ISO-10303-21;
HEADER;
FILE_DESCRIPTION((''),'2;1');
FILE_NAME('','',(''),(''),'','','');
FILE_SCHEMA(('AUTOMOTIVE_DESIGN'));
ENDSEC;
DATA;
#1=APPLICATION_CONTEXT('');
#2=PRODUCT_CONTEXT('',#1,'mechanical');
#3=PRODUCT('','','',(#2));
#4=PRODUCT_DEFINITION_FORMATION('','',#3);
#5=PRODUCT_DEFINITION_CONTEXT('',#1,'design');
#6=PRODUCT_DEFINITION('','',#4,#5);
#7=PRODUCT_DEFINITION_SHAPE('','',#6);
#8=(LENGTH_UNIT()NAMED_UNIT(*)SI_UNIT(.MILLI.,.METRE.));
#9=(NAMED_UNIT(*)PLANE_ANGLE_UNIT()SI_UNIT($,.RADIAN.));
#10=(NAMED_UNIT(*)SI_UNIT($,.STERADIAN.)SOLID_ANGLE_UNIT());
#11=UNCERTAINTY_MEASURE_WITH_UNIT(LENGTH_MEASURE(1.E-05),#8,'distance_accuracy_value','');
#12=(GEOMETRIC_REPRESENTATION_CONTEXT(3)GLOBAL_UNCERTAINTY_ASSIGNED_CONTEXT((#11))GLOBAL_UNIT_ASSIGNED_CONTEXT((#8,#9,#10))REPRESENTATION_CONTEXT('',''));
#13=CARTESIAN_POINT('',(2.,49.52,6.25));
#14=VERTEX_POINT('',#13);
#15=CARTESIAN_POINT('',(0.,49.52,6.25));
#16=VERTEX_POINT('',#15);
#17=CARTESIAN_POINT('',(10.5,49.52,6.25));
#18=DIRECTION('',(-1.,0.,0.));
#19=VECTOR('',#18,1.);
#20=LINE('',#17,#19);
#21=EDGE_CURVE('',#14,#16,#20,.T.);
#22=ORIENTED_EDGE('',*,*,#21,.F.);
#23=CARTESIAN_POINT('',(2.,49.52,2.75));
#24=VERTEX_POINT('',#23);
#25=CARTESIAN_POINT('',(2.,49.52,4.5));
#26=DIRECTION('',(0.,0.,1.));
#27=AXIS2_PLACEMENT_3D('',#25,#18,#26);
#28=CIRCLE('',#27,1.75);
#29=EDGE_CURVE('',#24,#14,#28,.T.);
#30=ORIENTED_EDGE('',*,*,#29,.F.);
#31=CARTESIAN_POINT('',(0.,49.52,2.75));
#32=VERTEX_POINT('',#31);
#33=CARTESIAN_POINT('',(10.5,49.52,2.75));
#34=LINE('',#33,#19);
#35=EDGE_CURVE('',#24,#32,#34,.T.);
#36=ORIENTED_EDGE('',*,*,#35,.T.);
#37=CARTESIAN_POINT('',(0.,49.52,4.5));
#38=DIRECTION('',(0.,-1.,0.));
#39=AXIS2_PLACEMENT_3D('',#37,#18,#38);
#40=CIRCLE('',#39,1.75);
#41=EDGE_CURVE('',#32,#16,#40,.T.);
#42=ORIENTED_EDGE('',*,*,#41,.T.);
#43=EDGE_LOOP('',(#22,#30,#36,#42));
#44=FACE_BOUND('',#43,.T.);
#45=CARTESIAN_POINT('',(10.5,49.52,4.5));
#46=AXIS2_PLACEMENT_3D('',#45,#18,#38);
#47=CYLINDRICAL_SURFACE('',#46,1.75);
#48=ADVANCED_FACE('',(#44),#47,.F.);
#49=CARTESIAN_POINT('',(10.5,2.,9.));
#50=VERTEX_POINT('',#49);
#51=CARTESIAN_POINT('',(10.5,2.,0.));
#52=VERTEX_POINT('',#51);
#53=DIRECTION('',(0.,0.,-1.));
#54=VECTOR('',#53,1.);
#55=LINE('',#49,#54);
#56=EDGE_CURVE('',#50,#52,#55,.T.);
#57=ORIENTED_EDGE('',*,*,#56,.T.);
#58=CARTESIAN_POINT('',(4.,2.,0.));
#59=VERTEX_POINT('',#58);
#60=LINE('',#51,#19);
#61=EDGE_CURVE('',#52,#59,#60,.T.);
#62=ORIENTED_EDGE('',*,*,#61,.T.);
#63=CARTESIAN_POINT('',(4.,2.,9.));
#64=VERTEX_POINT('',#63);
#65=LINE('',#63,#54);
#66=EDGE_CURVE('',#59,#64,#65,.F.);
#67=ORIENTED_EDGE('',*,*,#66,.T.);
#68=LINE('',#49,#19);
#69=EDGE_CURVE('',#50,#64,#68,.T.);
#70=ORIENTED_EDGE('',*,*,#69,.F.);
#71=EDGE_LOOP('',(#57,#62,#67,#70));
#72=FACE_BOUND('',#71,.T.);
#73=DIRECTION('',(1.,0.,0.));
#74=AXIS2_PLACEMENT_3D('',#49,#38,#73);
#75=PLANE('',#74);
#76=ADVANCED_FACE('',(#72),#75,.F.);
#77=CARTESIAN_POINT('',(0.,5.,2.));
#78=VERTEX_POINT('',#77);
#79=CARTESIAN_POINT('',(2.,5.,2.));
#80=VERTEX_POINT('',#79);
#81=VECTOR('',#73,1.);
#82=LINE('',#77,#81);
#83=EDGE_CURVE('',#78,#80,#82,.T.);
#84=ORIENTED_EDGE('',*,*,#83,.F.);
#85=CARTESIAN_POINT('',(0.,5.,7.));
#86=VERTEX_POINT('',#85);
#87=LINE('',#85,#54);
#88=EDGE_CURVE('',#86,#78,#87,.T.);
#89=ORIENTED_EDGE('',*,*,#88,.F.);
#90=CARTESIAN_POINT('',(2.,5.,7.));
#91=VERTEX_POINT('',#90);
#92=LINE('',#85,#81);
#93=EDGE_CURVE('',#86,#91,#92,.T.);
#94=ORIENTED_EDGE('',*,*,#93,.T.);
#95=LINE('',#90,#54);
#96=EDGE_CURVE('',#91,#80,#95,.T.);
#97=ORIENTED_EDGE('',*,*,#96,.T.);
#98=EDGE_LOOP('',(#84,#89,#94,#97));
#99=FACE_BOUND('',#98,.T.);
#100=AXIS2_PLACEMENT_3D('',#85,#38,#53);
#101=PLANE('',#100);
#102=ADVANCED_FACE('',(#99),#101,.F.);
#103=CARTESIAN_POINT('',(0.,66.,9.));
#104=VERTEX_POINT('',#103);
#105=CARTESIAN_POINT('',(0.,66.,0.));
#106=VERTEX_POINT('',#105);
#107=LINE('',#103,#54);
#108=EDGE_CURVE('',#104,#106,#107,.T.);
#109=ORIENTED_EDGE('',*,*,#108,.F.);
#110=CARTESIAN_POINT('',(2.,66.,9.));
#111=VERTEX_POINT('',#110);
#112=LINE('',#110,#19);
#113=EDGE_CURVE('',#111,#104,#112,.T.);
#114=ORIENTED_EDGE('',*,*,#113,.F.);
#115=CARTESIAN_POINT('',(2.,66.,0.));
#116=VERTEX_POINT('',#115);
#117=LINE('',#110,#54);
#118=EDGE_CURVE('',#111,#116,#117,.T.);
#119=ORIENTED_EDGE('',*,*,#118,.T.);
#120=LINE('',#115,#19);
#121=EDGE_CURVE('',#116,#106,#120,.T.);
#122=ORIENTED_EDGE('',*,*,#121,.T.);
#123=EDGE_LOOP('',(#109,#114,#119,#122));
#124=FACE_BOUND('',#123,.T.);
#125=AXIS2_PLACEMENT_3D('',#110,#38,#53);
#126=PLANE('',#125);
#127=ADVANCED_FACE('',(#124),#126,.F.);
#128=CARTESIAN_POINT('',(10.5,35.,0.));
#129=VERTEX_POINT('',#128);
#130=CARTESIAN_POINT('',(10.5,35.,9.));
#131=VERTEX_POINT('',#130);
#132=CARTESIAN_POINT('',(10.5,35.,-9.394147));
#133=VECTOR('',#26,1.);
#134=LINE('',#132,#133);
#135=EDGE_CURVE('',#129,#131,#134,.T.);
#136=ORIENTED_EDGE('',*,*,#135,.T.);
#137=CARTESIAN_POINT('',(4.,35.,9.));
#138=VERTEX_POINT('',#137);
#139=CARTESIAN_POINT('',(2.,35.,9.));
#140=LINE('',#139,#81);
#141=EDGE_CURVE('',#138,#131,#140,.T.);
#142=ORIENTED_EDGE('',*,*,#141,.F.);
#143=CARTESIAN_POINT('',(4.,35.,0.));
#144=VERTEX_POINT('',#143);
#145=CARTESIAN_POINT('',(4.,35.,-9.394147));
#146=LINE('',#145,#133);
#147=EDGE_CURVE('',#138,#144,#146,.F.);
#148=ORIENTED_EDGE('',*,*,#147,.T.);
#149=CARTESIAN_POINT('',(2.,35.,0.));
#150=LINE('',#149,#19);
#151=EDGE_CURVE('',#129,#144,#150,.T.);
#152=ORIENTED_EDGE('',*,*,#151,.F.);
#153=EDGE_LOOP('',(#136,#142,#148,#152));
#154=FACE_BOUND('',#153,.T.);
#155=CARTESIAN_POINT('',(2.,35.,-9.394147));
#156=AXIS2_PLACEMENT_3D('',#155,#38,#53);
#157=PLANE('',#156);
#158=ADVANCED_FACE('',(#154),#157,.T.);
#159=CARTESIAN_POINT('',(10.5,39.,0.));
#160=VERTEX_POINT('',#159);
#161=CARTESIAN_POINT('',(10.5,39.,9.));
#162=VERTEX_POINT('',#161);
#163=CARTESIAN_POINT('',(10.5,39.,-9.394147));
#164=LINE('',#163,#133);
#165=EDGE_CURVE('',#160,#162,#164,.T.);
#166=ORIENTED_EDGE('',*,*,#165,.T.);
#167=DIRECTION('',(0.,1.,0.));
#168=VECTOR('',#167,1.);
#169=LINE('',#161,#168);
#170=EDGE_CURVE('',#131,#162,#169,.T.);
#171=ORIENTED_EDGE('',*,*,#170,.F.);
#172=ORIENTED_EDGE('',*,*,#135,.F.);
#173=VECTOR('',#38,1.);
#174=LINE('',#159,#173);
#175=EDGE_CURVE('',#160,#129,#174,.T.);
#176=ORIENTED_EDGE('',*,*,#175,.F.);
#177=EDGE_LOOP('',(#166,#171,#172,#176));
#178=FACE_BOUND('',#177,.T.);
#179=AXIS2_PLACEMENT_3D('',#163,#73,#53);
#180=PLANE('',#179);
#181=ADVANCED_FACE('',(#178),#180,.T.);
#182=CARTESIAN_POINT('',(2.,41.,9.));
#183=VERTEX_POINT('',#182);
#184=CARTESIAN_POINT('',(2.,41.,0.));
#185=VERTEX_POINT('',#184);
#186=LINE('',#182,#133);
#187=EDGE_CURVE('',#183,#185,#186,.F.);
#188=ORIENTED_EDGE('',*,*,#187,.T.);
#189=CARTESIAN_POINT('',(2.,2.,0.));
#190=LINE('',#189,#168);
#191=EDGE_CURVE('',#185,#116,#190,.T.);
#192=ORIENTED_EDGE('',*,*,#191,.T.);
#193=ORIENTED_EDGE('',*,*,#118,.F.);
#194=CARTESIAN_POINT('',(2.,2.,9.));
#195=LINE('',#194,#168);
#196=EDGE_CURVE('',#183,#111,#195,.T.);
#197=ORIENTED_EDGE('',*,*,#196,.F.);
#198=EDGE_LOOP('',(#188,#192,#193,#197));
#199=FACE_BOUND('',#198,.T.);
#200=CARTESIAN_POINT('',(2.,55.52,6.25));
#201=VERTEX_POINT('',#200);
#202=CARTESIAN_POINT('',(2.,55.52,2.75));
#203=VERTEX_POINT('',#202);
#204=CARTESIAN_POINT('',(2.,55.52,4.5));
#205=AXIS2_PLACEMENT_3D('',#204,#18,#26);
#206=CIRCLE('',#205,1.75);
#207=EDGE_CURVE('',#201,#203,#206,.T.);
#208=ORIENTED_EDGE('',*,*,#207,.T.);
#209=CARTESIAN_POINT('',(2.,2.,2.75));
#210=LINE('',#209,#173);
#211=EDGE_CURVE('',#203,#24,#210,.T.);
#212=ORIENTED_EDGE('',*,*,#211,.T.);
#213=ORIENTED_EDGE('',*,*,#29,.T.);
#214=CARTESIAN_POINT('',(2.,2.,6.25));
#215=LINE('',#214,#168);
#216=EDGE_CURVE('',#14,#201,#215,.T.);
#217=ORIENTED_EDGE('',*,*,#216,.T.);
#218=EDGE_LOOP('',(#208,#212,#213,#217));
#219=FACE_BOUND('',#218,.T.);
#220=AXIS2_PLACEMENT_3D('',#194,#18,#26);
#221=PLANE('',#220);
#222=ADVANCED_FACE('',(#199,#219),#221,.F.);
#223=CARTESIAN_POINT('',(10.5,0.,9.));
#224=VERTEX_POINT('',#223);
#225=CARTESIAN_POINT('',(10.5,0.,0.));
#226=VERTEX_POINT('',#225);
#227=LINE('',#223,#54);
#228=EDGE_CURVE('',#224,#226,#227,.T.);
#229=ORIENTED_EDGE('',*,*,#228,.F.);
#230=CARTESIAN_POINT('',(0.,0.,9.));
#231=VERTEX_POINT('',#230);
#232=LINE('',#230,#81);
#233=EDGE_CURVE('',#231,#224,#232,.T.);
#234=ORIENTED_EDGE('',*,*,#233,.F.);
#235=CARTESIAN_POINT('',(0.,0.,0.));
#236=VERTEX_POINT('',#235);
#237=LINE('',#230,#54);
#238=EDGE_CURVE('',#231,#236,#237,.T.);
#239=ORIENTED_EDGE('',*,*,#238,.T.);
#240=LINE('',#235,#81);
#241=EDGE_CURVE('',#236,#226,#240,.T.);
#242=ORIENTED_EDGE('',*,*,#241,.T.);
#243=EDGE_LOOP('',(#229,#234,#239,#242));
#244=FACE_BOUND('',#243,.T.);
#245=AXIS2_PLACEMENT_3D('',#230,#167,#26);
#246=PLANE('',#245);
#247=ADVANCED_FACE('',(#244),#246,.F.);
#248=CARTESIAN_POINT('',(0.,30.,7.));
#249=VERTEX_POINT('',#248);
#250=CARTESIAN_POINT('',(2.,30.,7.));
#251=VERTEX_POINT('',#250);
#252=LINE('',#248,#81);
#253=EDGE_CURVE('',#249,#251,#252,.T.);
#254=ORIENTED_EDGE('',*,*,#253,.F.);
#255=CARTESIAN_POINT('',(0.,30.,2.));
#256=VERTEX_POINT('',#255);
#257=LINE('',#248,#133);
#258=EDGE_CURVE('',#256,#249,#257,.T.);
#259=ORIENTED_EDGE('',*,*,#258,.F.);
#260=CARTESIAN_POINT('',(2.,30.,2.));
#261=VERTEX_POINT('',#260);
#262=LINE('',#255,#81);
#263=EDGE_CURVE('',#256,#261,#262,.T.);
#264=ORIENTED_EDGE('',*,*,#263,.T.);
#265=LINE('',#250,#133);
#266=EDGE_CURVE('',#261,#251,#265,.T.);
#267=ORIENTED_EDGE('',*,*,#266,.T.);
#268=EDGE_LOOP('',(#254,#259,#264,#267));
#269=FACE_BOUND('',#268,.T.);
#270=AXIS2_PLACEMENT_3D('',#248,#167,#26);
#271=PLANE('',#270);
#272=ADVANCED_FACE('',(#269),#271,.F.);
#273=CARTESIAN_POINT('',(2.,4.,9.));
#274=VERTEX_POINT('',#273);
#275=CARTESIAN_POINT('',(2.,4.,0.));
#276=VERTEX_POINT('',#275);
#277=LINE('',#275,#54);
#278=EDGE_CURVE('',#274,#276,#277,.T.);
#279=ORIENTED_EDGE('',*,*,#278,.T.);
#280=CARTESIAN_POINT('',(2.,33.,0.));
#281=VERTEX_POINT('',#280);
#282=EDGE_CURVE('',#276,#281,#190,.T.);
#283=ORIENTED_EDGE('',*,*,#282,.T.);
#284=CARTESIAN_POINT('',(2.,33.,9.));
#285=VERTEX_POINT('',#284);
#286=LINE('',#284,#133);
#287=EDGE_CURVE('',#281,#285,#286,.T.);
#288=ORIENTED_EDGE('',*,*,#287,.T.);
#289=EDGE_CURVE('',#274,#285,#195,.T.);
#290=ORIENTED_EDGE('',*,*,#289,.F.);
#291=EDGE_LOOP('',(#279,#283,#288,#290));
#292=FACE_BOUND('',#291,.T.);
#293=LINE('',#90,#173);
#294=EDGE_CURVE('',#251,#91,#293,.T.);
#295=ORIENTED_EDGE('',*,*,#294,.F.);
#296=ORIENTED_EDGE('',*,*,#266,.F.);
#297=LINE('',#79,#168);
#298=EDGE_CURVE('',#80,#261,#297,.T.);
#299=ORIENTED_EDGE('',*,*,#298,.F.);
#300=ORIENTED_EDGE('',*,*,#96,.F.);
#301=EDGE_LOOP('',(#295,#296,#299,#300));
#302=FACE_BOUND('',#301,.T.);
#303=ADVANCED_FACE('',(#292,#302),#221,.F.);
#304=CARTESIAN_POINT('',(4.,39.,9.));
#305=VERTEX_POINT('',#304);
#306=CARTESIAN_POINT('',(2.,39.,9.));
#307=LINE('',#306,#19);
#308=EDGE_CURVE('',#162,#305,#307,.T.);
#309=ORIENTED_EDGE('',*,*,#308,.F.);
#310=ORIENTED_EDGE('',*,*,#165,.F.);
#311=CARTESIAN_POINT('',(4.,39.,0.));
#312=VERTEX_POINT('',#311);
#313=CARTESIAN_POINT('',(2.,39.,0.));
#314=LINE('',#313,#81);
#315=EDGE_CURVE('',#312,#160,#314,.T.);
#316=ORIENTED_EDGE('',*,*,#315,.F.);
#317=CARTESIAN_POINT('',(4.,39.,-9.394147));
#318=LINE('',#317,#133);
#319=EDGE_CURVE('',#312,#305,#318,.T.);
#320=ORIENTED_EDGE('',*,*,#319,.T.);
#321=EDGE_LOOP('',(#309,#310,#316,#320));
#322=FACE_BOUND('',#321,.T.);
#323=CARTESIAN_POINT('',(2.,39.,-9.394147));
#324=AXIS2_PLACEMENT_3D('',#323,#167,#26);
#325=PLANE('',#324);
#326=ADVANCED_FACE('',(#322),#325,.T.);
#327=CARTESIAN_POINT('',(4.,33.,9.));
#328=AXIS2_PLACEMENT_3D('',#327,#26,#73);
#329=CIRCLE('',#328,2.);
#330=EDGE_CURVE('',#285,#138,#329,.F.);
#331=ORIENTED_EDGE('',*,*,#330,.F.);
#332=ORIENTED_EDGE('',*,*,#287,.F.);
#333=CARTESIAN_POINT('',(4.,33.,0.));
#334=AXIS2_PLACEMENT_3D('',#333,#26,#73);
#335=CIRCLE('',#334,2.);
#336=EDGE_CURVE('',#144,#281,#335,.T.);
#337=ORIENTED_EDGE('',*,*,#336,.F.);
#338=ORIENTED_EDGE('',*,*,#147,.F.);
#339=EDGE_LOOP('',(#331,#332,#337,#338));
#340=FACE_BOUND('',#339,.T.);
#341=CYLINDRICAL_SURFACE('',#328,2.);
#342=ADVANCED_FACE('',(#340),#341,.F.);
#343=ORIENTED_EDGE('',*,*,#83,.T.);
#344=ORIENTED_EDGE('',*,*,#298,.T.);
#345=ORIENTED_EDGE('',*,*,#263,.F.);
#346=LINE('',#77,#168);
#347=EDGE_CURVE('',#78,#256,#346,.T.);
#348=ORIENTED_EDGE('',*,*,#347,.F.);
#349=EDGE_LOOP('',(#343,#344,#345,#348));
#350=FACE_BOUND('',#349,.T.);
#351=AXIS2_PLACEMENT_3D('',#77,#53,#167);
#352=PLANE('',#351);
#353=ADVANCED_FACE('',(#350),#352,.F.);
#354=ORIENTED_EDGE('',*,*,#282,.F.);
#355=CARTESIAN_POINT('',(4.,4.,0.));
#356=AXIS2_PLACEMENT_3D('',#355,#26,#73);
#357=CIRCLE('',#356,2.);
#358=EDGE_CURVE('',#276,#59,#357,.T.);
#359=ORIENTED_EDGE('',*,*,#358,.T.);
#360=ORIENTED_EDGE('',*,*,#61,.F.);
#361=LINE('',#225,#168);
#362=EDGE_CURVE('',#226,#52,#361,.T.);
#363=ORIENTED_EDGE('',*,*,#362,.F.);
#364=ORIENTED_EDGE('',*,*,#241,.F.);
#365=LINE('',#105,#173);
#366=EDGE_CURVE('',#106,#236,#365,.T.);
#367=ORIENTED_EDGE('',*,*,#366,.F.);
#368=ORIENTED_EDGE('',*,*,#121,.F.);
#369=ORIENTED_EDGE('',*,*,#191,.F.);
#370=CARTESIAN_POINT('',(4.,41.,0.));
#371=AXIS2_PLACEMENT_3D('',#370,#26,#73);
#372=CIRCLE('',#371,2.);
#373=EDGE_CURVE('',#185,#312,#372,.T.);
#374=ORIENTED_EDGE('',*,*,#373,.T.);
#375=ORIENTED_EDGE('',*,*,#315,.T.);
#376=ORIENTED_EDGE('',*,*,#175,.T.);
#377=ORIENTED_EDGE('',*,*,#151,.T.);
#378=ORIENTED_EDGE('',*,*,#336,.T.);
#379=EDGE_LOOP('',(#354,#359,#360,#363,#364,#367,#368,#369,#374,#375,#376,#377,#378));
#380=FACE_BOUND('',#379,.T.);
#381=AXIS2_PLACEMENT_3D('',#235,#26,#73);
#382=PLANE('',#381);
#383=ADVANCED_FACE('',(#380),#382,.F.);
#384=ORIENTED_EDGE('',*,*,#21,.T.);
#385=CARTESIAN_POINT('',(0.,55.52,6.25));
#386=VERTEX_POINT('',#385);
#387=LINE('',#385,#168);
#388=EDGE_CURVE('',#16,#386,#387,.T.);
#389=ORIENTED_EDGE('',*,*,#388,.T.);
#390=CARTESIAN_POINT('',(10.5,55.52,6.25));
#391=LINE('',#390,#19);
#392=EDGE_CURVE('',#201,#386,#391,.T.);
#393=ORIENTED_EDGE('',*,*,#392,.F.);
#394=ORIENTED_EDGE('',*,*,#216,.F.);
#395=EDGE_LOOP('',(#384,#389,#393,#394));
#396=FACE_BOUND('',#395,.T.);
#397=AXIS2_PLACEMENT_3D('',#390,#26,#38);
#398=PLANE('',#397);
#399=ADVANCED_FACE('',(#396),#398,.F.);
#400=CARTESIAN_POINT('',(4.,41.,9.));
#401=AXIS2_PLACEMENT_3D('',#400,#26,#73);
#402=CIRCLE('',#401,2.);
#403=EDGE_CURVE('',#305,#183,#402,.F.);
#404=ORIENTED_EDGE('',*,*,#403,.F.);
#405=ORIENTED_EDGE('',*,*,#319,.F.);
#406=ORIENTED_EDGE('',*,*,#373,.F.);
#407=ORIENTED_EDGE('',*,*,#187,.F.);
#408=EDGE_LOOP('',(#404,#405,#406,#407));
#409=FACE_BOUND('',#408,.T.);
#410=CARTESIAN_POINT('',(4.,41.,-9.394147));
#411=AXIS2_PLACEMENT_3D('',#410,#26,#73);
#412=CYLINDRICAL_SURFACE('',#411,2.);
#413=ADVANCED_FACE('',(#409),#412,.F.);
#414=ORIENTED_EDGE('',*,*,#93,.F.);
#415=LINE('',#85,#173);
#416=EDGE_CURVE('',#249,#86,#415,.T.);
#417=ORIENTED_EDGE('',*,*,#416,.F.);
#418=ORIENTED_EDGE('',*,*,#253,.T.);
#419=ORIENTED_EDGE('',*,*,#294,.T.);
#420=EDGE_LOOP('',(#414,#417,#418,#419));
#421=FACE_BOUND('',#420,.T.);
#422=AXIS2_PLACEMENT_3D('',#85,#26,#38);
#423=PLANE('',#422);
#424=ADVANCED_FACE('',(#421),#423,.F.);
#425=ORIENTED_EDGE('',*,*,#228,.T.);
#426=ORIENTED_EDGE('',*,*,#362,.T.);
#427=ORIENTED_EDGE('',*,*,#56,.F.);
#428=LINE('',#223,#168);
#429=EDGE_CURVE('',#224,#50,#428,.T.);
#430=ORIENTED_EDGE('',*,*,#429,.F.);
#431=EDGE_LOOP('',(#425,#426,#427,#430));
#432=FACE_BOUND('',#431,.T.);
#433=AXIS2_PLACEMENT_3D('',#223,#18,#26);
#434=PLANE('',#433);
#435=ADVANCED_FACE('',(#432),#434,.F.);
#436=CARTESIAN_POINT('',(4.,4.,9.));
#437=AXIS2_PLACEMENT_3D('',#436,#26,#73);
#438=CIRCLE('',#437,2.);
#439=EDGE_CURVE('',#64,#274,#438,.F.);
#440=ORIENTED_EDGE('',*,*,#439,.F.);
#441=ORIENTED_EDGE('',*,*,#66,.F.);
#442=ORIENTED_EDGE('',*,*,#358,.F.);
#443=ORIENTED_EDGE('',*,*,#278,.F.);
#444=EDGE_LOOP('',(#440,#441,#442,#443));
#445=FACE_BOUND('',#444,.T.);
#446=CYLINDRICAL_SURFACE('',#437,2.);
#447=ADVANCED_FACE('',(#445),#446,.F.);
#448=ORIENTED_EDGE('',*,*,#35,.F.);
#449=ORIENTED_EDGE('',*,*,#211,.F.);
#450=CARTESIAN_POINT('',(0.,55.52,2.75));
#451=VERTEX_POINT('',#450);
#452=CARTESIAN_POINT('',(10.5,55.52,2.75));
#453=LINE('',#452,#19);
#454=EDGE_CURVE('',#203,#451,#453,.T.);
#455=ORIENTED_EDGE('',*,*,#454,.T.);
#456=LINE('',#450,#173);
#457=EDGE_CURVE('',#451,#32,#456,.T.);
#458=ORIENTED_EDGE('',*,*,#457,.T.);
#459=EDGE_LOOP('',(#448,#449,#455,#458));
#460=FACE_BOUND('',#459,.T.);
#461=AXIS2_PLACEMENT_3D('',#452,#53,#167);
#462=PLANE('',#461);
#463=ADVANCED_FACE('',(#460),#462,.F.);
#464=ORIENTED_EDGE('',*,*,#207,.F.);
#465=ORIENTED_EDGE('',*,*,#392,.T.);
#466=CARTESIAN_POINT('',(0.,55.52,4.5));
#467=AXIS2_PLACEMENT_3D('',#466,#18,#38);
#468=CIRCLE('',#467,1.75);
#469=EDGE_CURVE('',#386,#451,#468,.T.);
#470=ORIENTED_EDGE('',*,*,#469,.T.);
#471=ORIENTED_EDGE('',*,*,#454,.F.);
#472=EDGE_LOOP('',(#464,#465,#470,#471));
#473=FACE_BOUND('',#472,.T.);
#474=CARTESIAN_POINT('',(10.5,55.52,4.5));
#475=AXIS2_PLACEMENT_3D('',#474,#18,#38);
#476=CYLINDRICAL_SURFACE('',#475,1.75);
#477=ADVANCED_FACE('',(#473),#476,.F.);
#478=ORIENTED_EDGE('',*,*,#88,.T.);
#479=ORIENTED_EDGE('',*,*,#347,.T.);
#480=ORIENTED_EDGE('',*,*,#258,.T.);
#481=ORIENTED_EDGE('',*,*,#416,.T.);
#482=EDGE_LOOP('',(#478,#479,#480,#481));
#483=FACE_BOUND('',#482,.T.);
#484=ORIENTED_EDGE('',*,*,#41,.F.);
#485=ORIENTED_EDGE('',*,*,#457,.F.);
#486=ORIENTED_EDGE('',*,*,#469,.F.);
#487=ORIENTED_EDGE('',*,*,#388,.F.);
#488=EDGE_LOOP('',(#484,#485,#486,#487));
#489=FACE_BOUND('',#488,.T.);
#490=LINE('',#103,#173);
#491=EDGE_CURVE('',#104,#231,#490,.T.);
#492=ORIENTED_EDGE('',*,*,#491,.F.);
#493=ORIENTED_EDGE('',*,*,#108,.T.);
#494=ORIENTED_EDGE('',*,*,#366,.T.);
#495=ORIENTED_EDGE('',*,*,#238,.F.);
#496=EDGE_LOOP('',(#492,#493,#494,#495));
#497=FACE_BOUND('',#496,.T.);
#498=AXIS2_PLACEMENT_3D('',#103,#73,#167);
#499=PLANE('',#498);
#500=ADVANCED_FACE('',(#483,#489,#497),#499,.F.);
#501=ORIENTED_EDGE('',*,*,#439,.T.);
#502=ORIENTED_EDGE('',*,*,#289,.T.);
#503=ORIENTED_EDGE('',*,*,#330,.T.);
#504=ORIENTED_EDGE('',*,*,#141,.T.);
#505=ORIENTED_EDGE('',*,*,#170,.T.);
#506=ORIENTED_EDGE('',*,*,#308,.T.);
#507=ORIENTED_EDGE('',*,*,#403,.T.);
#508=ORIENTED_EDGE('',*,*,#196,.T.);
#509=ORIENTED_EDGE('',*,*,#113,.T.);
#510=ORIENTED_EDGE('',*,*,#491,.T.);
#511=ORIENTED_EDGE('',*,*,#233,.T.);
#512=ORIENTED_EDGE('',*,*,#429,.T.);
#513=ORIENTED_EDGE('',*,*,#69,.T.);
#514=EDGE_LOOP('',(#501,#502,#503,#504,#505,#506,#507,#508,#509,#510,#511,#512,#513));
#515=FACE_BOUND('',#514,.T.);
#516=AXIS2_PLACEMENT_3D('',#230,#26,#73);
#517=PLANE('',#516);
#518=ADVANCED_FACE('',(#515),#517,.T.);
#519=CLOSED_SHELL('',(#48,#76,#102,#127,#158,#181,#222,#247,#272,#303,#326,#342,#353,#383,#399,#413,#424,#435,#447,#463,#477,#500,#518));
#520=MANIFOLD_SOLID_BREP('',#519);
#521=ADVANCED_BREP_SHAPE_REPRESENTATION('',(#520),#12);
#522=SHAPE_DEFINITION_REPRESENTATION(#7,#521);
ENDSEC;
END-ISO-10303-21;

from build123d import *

# Parameters (mm, degrees)
EXTRUDE_1_DEPTH     = 9
CUT_EXTRUDE_2_DEPTH = 68.433300379
SKETCH_6_W          = 5
SKETCH_6_H          = 25
CUT_EXTRUDE_3_DEPTH = 68.15094936
FILLET_1_R          = 2
SKETCH_7_W          = 8.5
SKETCH_7_H          = 4
EXTRUDE_2_DEPTH     = 9
FILLET_2_R          = 2


with BuildPart() as part:
    # Эскиз1 → Бобышка-Вытянуть1 (new body)
    with BuildSketch(Plane.XY):
        Polygon((0, 0), (10.5, 0), (10.5, 2), (2, 2), (2, 66), (0, 66), align=None)
    extrude(amount=EXTRUDE_1_DEPTH)

    # Эскиз4 → Вырез-Вытянуть2 (cut, through all)
    with BuildSketch(Plane.ZY):
        with BuildLine():
            Line((6.25, 55.52), (6.25, 49.52))
            ThreePointArc((6.25, 49.52), (4.5, 47.77), (2.75, 49.52))
            Line((2.75, 49.52), (2.75, 55.52))
            ThreePointArc((2.75, 55.52), (4.5, 57.27), (6.25, 55.52))
        make_face()
    extrude(amount=-CUT_EXTRUDE_2_DEPTH, mode=Mode.SUBTRACT)

    # Эскиз6 → Вырез-Вытянуть3 (cut, through all)
    with BuildSketch(Plane(origin=(2, 0, 0), x_dir=(0, 0, -1), z_dir=(1, 0, 0))):
        with Locations((-4.5, 17.5)):
            Rectangle(SKETCH_6_W, SKETCH_6_H)
    extrude(amount=-CUT_EXTRUDE_3_DEPTH, mode=Mode.SUBTRACT)

    # Скругление1
    fillet_1_edges = [part.edges().sort_by_distance(p)[0] for p in [
        (2, 2, 4.5),
    ]]
    fillet(fillet_1_edges, radius=FILLET_1_R)

    # Эскиз7 → Бобышка-Вытянуть2 (add)
    with BuildSketch(Plane.XY.offset(9)):
        with Locations((6.25, 37)):
            Rectangle(SKETCH_7_W, SKETCH_7_H)
    extrude(amount=-EXTRUDE_2_DEPTH)

    # Скругление2
    fillet_2_edges = [part.edges().sort_by_distance(p)[0] for p in [
        (2, 39, 4.5),
        (2, 35, 4.5),
    ]]
    fillet(fillet_2_edges, radius=FILLET_2_R)


solid = part.part
